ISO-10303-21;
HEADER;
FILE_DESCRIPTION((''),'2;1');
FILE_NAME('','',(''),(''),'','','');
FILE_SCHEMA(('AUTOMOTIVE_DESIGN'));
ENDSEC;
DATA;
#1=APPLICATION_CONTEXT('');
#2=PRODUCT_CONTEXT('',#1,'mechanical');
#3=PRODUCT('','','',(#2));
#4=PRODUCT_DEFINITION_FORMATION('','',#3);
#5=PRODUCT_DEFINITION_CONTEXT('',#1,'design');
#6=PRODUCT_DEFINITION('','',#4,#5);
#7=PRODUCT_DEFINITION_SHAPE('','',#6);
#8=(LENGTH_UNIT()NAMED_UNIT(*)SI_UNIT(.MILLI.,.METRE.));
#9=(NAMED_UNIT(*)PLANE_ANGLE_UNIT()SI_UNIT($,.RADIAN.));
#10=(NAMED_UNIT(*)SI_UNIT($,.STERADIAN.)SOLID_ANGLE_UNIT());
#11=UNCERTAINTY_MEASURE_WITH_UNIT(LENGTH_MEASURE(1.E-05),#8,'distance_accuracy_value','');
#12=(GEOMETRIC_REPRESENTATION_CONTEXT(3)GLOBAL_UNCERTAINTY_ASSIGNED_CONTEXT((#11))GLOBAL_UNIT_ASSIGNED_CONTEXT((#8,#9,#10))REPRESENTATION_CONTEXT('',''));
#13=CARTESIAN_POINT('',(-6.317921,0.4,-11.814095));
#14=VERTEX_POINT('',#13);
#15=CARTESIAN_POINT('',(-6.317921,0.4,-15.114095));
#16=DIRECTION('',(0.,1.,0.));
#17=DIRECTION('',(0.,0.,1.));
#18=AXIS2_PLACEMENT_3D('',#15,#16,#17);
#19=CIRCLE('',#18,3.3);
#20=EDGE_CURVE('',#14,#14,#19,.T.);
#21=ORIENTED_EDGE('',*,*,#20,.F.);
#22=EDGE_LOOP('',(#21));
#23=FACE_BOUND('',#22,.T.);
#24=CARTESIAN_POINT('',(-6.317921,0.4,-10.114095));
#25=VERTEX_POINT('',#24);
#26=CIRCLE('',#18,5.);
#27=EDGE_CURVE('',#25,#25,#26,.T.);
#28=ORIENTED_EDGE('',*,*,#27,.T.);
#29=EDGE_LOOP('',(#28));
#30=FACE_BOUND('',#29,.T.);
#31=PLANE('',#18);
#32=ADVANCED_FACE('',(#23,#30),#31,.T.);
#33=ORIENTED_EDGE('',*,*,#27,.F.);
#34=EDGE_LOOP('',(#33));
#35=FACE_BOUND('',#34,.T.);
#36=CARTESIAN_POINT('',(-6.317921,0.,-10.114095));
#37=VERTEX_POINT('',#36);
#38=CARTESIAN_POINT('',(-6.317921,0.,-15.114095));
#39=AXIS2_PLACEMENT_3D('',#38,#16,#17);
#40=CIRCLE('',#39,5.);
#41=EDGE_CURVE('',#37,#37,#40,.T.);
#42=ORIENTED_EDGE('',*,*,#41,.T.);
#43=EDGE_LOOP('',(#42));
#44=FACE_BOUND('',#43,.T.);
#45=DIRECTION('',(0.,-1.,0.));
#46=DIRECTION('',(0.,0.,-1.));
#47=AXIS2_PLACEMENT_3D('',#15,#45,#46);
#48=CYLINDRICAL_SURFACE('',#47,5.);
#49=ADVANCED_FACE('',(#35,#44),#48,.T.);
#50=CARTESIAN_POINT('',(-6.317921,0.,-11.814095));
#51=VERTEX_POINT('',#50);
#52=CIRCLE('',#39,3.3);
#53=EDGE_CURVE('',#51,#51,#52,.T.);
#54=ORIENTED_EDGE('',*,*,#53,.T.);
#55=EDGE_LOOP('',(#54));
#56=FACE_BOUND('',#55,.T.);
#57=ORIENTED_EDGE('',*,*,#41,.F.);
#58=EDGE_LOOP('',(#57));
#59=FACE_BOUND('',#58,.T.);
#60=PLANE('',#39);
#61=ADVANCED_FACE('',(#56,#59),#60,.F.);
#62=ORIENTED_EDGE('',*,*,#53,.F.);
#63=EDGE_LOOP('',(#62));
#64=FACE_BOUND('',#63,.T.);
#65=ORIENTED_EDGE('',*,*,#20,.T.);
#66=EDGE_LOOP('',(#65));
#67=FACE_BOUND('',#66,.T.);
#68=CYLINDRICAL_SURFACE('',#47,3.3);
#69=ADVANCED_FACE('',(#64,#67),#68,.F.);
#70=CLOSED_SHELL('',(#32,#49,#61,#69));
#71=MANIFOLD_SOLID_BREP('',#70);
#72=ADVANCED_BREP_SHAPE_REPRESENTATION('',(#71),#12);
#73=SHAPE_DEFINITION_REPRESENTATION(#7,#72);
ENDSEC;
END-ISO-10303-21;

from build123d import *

# Parameters (mm, degrees)
SKETCH1_R           = 5
SKETCH1_R_2         = 3.3
BOSS_EXTRUDE1_DEPTH = 0.4


with BuildPart() as part:
    # Sketch1 → Boss-Extrude1 (new body)
    with BuildSketch(Plane(origin=(0, 0, 0), x_dir=(1, 0, 0), z_dir=(0, 1, 0))):
        with Locations((-6.317920845, 15.114095374)):
            Circle(SKETCH1_R)
        with Locations((-6.317920845, 15.114095374)):
            Circle(SKETCH1_R_2, mode=Mode.SUBTRACT)
    extrude(amount=BOSS_EXTRUDE1_DEPTH)


solid = part.part
